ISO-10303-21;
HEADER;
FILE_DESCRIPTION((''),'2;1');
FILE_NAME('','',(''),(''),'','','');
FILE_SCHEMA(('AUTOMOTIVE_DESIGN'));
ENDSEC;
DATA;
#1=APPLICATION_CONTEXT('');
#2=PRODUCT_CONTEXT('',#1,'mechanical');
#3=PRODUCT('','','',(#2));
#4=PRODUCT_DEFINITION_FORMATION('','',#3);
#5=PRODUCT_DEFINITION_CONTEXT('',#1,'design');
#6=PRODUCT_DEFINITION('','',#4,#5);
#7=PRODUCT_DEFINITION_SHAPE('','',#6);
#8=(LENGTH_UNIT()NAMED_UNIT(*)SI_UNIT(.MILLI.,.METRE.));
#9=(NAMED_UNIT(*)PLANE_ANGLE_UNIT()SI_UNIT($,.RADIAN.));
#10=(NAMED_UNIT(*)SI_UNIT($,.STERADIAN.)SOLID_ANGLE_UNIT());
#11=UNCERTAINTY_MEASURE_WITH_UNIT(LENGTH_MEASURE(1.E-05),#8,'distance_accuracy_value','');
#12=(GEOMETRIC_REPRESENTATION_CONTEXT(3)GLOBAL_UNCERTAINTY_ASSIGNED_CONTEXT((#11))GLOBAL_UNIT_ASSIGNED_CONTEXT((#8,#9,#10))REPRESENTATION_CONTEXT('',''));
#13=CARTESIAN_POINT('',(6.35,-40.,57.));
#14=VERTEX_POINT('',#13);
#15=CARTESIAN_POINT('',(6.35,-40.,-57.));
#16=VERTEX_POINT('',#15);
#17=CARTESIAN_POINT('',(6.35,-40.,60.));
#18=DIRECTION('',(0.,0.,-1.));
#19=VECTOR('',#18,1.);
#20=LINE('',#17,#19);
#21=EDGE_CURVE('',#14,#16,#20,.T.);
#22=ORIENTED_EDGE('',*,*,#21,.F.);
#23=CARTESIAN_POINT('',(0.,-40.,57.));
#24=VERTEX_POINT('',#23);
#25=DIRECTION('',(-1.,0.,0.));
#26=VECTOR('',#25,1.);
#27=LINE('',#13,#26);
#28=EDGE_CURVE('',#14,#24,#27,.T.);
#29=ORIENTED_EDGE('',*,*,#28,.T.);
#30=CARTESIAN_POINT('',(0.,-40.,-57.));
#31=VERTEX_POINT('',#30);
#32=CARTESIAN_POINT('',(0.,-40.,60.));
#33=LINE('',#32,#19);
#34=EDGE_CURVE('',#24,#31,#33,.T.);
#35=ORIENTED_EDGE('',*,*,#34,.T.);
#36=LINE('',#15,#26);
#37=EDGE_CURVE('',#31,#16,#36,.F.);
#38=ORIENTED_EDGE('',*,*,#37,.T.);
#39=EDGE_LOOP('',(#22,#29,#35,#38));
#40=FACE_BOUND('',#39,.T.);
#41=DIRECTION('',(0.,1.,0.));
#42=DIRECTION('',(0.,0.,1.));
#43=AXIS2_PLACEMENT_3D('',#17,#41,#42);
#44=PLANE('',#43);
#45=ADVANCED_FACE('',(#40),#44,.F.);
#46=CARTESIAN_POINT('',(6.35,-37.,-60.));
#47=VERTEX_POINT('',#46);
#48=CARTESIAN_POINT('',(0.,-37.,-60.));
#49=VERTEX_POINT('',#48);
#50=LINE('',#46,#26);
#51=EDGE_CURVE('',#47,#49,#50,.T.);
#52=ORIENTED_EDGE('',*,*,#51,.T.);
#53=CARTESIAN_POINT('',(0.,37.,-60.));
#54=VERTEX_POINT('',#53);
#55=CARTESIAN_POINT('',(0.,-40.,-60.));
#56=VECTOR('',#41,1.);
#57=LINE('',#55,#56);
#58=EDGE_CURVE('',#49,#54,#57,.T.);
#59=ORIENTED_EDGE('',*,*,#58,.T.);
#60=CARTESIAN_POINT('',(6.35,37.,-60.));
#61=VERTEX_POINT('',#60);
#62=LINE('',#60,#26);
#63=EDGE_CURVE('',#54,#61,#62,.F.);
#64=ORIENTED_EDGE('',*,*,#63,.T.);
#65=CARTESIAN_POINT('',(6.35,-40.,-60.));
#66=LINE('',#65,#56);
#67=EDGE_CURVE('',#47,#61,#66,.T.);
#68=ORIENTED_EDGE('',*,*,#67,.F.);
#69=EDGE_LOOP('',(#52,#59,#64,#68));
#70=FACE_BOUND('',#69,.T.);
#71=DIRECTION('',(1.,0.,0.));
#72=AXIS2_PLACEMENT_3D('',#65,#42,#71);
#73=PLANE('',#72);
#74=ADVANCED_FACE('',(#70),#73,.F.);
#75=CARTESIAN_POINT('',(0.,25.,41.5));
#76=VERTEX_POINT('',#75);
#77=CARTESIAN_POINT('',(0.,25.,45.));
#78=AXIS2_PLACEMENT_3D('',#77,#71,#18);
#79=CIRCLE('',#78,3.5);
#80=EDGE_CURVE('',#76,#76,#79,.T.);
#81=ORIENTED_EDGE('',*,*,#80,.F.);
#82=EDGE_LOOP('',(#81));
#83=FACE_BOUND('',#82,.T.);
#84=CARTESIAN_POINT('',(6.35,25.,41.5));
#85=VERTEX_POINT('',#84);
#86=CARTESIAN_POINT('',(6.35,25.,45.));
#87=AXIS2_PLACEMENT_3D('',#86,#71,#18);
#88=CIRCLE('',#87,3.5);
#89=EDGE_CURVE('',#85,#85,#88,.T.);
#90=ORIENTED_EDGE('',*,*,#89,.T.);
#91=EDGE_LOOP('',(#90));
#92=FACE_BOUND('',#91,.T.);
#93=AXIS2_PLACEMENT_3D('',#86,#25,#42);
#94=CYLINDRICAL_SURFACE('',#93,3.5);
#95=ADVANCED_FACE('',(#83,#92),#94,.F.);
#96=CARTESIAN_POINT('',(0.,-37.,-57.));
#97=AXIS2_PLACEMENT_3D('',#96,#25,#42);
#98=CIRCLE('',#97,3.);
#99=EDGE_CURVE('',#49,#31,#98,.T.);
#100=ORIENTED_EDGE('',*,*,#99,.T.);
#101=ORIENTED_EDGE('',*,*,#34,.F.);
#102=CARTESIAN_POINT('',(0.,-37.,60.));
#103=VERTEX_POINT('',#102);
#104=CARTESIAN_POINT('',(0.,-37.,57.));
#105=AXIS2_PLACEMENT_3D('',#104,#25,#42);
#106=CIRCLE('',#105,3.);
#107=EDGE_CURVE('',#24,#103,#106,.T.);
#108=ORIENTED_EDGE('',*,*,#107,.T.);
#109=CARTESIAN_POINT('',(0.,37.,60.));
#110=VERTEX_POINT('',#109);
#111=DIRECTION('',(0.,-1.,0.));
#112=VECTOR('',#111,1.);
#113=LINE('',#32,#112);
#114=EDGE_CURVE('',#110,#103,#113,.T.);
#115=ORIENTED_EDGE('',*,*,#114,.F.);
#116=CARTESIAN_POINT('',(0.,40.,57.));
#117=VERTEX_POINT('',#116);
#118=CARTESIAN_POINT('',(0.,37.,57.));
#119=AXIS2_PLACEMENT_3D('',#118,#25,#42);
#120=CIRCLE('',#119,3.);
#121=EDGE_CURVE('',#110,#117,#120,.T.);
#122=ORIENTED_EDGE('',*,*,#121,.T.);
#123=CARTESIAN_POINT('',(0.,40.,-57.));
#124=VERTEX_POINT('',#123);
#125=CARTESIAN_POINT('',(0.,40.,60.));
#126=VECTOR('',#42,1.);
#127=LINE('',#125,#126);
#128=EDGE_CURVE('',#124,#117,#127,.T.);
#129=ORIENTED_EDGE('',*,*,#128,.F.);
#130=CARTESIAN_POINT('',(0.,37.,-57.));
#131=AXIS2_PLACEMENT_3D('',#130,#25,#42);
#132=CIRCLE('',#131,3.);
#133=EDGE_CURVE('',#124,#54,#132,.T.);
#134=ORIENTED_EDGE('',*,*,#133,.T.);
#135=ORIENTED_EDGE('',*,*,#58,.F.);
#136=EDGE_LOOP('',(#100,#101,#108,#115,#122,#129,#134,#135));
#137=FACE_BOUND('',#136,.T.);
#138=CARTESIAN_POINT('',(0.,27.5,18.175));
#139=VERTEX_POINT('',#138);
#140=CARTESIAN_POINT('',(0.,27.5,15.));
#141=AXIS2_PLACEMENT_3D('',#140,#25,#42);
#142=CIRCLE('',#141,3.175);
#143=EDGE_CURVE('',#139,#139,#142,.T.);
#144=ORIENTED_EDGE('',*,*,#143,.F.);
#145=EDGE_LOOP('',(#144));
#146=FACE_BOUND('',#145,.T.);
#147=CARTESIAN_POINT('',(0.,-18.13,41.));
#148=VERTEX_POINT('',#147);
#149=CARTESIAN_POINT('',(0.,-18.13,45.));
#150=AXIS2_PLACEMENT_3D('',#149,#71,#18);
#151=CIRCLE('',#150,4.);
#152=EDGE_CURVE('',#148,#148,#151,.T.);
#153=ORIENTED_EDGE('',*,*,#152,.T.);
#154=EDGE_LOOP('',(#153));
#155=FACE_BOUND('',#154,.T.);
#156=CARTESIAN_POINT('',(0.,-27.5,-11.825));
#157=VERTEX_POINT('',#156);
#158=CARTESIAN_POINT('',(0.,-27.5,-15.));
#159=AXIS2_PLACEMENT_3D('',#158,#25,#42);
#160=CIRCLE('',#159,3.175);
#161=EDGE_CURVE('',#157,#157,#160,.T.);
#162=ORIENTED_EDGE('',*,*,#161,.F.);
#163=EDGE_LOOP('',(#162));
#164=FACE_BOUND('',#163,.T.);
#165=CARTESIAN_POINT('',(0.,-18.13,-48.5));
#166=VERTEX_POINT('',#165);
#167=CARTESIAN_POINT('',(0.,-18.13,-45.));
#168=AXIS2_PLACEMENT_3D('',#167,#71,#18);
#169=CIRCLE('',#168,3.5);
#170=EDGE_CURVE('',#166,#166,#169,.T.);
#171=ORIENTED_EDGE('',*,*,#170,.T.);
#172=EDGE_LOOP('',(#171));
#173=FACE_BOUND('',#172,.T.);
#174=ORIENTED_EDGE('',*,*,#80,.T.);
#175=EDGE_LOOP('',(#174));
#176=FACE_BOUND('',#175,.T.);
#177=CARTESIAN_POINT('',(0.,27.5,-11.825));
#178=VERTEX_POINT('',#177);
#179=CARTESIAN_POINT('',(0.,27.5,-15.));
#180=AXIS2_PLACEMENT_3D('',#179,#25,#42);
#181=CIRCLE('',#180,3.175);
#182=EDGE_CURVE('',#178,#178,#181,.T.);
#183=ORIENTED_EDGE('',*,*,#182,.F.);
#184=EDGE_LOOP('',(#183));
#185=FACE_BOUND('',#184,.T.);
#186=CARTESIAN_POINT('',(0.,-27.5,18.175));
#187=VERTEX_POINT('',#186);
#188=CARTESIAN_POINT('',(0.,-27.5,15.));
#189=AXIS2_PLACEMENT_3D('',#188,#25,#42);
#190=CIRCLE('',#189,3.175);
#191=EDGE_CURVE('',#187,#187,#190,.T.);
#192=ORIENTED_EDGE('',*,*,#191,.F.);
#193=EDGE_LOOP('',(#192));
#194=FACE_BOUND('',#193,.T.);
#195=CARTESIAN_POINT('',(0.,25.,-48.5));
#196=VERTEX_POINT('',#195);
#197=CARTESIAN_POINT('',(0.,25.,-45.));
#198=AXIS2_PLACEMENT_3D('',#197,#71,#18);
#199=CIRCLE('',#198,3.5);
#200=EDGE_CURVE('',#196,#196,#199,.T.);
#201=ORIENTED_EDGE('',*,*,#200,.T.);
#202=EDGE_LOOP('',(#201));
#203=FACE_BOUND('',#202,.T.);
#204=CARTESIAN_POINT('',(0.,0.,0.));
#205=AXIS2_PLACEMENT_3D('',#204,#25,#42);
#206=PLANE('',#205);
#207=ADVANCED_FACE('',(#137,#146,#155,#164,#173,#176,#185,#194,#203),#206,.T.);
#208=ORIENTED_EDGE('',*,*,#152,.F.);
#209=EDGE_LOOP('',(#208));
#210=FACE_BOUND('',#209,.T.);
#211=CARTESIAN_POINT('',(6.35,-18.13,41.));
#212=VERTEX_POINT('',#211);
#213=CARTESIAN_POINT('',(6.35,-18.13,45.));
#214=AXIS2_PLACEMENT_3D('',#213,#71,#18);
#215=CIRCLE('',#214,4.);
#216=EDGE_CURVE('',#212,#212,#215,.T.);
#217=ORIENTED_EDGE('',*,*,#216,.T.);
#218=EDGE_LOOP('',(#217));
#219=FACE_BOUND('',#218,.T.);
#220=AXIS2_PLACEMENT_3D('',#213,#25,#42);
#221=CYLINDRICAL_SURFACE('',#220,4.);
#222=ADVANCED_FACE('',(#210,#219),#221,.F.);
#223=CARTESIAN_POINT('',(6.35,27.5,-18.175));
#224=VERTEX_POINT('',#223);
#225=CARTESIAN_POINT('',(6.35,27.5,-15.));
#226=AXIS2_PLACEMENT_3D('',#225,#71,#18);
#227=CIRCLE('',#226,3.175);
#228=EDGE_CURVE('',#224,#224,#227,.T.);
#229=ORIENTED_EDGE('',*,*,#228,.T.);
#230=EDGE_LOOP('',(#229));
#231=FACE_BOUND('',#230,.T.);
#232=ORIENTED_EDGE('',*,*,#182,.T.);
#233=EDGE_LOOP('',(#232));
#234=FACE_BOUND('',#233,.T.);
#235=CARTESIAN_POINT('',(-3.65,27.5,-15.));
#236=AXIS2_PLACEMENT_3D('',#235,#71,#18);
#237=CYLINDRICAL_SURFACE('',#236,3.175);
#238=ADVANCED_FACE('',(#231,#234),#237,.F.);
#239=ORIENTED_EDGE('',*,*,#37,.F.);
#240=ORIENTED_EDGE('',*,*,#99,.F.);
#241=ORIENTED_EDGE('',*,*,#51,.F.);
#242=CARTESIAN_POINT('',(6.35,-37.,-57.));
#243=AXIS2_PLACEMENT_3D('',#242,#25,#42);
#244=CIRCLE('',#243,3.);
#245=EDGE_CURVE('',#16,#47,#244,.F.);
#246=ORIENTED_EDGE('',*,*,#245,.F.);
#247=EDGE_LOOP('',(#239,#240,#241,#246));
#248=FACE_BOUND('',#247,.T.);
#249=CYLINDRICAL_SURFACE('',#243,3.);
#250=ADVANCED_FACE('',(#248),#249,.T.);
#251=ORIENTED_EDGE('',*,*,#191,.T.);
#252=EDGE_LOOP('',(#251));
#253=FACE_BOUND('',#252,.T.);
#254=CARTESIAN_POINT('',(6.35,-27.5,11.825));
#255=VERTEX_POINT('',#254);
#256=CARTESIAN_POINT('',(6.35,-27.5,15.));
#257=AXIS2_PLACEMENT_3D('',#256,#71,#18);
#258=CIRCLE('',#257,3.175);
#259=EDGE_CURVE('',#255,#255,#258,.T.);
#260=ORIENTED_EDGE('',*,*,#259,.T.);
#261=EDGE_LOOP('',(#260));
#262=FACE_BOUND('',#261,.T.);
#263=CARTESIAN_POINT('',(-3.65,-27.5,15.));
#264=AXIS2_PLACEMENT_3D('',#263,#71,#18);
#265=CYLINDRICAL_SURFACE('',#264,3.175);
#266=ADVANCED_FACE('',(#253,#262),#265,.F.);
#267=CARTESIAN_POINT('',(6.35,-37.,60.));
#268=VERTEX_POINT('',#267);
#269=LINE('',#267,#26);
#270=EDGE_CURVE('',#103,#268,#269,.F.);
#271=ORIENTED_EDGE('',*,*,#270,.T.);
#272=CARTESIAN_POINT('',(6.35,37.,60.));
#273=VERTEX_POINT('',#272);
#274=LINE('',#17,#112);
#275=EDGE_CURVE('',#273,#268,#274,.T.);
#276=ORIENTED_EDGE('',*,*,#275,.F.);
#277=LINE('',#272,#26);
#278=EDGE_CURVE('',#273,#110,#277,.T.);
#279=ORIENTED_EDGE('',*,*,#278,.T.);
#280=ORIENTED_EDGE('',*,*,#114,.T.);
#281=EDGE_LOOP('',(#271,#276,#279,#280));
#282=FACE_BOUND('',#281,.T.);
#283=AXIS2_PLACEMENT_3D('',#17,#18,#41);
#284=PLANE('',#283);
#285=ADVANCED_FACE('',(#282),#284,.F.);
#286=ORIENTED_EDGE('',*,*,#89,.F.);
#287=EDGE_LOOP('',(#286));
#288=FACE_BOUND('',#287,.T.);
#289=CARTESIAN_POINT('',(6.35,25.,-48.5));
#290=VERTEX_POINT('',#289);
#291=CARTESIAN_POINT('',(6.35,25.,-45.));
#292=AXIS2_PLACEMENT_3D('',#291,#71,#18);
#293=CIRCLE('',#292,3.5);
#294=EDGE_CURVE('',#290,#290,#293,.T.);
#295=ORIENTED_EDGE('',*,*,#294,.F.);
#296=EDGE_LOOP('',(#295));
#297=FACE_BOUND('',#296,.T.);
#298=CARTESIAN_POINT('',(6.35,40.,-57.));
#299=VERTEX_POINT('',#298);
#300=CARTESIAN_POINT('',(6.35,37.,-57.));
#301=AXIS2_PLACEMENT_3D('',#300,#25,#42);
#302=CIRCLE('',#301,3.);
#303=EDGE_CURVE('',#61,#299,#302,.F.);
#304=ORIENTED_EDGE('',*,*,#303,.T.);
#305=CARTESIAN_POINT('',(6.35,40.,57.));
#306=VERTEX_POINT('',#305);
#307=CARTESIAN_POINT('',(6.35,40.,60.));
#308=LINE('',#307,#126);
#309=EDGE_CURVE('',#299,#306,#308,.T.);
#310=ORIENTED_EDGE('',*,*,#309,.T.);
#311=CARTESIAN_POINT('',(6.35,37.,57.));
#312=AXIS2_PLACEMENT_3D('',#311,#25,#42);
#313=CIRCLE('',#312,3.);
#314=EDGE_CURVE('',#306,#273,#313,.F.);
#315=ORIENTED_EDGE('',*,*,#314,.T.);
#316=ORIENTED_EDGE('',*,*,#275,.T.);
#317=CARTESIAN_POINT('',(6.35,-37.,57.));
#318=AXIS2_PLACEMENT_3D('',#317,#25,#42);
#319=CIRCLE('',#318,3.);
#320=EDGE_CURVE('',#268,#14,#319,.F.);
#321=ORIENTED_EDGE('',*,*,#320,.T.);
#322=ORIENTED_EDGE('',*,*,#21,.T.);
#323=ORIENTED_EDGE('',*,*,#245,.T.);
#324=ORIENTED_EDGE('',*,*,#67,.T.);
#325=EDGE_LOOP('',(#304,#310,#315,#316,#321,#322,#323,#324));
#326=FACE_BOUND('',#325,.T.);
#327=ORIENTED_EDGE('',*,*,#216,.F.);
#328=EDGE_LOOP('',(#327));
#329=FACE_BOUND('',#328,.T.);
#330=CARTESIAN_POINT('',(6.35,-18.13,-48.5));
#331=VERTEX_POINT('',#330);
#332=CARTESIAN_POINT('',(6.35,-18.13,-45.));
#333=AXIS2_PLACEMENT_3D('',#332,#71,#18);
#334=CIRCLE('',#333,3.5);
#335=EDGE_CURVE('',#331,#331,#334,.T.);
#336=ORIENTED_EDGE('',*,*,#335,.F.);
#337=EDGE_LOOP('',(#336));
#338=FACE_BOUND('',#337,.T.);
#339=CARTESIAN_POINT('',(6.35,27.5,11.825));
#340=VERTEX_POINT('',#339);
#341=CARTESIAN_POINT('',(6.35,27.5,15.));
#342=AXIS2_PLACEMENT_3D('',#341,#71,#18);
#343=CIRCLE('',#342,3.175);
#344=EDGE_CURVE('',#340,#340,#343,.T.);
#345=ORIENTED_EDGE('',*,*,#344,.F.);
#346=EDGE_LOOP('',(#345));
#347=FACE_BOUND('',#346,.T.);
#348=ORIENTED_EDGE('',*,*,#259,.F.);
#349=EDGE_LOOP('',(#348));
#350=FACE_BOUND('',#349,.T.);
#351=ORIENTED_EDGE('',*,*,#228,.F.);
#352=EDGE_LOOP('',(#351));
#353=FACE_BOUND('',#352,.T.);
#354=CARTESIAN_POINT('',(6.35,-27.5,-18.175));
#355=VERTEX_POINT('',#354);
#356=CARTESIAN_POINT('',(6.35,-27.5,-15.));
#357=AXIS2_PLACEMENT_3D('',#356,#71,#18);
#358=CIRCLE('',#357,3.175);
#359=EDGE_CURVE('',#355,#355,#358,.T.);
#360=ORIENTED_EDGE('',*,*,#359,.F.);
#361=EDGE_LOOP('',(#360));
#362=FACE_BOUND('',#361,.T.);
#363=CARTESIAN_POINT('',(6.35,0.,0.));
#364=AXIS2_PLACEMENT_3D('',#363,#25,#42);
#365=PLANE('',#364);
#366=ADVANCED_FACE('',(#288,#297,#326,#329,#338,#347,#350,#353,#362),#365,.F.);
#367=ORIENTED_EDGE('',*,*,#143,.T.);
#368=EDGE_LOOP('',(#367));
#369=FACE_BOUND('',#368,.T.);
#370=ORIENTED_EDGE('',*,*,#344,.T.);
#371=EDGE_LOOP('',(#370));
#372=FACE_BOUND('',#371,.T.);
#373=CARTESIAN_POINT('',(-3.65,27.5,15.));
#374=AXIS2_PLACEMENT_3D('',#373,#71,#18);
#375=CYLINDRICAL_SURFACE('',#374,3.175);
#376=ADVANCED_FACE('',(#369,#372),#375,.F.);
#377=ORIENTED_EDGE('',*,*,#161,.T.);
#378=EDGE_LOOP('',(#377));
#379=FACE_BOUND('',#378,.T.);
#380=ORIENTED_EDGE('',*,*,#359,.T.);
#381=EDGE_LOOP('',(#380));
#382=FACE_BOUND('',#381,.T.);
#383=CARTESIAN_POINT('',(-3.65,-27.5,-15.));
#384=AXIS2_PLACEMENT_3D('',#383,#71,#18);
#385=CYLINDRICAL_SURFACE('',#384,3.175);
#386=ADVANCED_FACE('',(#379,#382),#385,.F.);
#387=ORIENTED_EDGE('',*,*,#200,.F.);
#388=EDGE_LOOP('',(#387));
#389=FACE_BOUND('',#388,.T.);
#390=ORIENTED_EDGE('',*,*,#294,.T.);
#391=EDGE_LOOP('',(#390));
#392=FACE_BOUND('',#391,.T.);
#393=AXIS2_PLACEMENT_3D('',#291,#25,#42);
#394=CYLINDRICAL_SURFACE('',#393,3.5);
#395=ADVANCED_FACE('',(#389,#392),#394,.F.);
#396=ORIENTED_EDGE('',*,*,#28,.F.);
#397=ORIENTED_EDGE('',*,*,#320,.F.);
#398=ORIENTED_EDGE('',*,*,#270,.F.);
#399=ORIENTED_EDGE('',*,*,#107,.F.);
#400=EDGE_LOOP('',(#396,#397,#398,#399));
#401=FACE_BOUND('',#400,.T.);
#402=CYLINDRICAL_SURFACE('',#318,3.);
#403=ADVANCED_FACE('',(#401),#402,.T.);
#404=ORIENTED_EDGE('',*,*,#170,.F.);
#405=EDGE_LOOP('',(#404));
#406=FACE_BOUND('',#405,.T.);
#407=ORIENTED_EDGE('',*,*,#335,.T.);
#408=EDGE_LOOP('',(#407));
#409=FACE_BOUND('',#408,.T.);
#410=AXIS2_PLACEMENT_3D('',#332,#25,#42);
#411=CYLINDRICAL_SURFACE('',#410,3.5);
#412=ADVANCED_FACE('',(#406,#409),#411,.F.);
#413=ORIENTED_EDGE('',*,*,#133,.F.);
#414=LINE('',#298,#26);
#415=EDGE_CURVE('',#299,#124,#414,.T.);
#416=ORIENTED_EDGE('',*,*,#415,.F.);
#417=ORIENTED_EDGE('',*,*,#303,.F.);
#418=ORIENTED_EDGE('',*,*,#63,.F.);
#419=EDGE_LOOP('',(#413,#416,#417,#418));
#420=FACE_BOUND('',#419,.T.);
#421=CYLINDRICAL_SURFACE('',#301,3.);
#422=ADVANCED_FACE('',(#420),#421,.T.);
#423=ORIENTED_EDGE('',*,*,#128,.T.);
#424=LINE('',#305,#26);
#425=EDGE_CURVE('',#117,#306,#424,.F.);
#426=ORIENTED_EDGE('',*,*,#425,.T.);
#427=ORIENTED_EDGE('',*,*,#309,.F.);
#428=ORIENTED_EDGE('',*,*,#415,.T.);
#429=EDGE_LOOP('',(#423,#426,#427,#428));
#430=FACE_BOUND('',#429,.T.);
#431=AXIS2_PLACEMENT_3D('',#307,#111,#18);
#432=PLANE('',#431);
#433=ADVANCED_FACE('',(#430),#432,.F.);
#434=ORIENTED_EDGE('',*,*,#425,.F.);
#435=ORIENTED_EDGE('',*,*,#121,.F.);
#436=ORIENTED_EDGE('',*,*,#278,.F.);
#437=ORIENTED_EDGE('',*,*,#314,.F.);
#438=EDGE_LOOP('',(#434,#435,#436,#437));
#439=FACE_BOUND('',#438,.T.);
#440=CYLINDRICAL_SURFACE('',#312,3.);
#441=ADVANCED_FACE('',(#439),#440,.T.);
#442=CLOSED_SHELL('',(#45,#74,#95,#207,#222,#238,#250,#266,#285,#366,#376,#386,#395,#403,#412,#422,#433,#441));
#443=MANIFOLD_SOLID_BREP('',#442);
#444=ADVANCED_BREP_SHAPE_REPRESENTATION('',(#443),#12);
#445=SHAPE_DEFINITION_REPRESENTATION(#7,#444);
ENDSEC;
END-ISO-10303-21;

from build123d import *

# Parameters (mm, degrees)
SKETCH1_W           = 120
SKETCH1_H           = 80
SKETCH1_R           = 3.5
SKETCH1_R_2         = 4
BOSS_EXTRUDE1_DEPTH = 6.35
FILLET1_R           = 3
SKETCH2_R           = 3.175
CUT_EXTRUDE1_DEPTH  = 10


with BuildPart() as part:
    # Sketch1 → Boss-Extrude1 (new body)
    with BuildSketch(Plane(origin=(0, 0, 0), x_dir=(0, 0, -1), z_dir=(1, 0, 0))):
        Rectangle(SKETCH1_W, SKETCH1_H)
        with Locations((45, 25)):
            Circle(SKETCH1_R, mode=Mode.SUBTRACT)
        with Locations((-45, 25)):
            Circle(SKETCH1_R, mode=Mode.SUBTRACT)
        with Locations((-45, -18.13)):
            Circle(SKETCH1_R_2, mode=Mode.SUBTRACT)
        with Locations((45, -18.13)):
            Circle(SKETCH1_R, mode=Mode.SUBTRACT)
    extrude(amount=BOSS_EXTRUDE1_DEPTH)

    # Fillet1
    fillet1_edges = [part.edges().sort_by_distance(p)[0] for p in [
        (3.175, -40, -60),
        (3.175, -40, 60),
        (3.175, 40, 60),
        (3.175, 40, -60),
    ]]
    fillet(fillet1_edges, radius=FILLET1_R)

    # Sketch2 → Cut-Extrude1 (cut)
    with BuildSketch(Plane(origin=(6.35, 0, 0), x_dir=(0, 0, -1), z_dir=(1, 0, 0))):
        with Locations((-15, 27.5)):
            Circle(SKETCH2_R)
        with Locations((15, 27.5)):
            Circle(SKETCH2_R)
        with Locations((15, -27.5)):
            Circle(SKETCH2_R)
        with Locations((-15, -27.5)):
            Circle(SKETCH2_R)
    extrude(amount=-CUT_EXTRUDE1_DEPTH, mode=Mode.SUBTRACT)


solid = part.part
